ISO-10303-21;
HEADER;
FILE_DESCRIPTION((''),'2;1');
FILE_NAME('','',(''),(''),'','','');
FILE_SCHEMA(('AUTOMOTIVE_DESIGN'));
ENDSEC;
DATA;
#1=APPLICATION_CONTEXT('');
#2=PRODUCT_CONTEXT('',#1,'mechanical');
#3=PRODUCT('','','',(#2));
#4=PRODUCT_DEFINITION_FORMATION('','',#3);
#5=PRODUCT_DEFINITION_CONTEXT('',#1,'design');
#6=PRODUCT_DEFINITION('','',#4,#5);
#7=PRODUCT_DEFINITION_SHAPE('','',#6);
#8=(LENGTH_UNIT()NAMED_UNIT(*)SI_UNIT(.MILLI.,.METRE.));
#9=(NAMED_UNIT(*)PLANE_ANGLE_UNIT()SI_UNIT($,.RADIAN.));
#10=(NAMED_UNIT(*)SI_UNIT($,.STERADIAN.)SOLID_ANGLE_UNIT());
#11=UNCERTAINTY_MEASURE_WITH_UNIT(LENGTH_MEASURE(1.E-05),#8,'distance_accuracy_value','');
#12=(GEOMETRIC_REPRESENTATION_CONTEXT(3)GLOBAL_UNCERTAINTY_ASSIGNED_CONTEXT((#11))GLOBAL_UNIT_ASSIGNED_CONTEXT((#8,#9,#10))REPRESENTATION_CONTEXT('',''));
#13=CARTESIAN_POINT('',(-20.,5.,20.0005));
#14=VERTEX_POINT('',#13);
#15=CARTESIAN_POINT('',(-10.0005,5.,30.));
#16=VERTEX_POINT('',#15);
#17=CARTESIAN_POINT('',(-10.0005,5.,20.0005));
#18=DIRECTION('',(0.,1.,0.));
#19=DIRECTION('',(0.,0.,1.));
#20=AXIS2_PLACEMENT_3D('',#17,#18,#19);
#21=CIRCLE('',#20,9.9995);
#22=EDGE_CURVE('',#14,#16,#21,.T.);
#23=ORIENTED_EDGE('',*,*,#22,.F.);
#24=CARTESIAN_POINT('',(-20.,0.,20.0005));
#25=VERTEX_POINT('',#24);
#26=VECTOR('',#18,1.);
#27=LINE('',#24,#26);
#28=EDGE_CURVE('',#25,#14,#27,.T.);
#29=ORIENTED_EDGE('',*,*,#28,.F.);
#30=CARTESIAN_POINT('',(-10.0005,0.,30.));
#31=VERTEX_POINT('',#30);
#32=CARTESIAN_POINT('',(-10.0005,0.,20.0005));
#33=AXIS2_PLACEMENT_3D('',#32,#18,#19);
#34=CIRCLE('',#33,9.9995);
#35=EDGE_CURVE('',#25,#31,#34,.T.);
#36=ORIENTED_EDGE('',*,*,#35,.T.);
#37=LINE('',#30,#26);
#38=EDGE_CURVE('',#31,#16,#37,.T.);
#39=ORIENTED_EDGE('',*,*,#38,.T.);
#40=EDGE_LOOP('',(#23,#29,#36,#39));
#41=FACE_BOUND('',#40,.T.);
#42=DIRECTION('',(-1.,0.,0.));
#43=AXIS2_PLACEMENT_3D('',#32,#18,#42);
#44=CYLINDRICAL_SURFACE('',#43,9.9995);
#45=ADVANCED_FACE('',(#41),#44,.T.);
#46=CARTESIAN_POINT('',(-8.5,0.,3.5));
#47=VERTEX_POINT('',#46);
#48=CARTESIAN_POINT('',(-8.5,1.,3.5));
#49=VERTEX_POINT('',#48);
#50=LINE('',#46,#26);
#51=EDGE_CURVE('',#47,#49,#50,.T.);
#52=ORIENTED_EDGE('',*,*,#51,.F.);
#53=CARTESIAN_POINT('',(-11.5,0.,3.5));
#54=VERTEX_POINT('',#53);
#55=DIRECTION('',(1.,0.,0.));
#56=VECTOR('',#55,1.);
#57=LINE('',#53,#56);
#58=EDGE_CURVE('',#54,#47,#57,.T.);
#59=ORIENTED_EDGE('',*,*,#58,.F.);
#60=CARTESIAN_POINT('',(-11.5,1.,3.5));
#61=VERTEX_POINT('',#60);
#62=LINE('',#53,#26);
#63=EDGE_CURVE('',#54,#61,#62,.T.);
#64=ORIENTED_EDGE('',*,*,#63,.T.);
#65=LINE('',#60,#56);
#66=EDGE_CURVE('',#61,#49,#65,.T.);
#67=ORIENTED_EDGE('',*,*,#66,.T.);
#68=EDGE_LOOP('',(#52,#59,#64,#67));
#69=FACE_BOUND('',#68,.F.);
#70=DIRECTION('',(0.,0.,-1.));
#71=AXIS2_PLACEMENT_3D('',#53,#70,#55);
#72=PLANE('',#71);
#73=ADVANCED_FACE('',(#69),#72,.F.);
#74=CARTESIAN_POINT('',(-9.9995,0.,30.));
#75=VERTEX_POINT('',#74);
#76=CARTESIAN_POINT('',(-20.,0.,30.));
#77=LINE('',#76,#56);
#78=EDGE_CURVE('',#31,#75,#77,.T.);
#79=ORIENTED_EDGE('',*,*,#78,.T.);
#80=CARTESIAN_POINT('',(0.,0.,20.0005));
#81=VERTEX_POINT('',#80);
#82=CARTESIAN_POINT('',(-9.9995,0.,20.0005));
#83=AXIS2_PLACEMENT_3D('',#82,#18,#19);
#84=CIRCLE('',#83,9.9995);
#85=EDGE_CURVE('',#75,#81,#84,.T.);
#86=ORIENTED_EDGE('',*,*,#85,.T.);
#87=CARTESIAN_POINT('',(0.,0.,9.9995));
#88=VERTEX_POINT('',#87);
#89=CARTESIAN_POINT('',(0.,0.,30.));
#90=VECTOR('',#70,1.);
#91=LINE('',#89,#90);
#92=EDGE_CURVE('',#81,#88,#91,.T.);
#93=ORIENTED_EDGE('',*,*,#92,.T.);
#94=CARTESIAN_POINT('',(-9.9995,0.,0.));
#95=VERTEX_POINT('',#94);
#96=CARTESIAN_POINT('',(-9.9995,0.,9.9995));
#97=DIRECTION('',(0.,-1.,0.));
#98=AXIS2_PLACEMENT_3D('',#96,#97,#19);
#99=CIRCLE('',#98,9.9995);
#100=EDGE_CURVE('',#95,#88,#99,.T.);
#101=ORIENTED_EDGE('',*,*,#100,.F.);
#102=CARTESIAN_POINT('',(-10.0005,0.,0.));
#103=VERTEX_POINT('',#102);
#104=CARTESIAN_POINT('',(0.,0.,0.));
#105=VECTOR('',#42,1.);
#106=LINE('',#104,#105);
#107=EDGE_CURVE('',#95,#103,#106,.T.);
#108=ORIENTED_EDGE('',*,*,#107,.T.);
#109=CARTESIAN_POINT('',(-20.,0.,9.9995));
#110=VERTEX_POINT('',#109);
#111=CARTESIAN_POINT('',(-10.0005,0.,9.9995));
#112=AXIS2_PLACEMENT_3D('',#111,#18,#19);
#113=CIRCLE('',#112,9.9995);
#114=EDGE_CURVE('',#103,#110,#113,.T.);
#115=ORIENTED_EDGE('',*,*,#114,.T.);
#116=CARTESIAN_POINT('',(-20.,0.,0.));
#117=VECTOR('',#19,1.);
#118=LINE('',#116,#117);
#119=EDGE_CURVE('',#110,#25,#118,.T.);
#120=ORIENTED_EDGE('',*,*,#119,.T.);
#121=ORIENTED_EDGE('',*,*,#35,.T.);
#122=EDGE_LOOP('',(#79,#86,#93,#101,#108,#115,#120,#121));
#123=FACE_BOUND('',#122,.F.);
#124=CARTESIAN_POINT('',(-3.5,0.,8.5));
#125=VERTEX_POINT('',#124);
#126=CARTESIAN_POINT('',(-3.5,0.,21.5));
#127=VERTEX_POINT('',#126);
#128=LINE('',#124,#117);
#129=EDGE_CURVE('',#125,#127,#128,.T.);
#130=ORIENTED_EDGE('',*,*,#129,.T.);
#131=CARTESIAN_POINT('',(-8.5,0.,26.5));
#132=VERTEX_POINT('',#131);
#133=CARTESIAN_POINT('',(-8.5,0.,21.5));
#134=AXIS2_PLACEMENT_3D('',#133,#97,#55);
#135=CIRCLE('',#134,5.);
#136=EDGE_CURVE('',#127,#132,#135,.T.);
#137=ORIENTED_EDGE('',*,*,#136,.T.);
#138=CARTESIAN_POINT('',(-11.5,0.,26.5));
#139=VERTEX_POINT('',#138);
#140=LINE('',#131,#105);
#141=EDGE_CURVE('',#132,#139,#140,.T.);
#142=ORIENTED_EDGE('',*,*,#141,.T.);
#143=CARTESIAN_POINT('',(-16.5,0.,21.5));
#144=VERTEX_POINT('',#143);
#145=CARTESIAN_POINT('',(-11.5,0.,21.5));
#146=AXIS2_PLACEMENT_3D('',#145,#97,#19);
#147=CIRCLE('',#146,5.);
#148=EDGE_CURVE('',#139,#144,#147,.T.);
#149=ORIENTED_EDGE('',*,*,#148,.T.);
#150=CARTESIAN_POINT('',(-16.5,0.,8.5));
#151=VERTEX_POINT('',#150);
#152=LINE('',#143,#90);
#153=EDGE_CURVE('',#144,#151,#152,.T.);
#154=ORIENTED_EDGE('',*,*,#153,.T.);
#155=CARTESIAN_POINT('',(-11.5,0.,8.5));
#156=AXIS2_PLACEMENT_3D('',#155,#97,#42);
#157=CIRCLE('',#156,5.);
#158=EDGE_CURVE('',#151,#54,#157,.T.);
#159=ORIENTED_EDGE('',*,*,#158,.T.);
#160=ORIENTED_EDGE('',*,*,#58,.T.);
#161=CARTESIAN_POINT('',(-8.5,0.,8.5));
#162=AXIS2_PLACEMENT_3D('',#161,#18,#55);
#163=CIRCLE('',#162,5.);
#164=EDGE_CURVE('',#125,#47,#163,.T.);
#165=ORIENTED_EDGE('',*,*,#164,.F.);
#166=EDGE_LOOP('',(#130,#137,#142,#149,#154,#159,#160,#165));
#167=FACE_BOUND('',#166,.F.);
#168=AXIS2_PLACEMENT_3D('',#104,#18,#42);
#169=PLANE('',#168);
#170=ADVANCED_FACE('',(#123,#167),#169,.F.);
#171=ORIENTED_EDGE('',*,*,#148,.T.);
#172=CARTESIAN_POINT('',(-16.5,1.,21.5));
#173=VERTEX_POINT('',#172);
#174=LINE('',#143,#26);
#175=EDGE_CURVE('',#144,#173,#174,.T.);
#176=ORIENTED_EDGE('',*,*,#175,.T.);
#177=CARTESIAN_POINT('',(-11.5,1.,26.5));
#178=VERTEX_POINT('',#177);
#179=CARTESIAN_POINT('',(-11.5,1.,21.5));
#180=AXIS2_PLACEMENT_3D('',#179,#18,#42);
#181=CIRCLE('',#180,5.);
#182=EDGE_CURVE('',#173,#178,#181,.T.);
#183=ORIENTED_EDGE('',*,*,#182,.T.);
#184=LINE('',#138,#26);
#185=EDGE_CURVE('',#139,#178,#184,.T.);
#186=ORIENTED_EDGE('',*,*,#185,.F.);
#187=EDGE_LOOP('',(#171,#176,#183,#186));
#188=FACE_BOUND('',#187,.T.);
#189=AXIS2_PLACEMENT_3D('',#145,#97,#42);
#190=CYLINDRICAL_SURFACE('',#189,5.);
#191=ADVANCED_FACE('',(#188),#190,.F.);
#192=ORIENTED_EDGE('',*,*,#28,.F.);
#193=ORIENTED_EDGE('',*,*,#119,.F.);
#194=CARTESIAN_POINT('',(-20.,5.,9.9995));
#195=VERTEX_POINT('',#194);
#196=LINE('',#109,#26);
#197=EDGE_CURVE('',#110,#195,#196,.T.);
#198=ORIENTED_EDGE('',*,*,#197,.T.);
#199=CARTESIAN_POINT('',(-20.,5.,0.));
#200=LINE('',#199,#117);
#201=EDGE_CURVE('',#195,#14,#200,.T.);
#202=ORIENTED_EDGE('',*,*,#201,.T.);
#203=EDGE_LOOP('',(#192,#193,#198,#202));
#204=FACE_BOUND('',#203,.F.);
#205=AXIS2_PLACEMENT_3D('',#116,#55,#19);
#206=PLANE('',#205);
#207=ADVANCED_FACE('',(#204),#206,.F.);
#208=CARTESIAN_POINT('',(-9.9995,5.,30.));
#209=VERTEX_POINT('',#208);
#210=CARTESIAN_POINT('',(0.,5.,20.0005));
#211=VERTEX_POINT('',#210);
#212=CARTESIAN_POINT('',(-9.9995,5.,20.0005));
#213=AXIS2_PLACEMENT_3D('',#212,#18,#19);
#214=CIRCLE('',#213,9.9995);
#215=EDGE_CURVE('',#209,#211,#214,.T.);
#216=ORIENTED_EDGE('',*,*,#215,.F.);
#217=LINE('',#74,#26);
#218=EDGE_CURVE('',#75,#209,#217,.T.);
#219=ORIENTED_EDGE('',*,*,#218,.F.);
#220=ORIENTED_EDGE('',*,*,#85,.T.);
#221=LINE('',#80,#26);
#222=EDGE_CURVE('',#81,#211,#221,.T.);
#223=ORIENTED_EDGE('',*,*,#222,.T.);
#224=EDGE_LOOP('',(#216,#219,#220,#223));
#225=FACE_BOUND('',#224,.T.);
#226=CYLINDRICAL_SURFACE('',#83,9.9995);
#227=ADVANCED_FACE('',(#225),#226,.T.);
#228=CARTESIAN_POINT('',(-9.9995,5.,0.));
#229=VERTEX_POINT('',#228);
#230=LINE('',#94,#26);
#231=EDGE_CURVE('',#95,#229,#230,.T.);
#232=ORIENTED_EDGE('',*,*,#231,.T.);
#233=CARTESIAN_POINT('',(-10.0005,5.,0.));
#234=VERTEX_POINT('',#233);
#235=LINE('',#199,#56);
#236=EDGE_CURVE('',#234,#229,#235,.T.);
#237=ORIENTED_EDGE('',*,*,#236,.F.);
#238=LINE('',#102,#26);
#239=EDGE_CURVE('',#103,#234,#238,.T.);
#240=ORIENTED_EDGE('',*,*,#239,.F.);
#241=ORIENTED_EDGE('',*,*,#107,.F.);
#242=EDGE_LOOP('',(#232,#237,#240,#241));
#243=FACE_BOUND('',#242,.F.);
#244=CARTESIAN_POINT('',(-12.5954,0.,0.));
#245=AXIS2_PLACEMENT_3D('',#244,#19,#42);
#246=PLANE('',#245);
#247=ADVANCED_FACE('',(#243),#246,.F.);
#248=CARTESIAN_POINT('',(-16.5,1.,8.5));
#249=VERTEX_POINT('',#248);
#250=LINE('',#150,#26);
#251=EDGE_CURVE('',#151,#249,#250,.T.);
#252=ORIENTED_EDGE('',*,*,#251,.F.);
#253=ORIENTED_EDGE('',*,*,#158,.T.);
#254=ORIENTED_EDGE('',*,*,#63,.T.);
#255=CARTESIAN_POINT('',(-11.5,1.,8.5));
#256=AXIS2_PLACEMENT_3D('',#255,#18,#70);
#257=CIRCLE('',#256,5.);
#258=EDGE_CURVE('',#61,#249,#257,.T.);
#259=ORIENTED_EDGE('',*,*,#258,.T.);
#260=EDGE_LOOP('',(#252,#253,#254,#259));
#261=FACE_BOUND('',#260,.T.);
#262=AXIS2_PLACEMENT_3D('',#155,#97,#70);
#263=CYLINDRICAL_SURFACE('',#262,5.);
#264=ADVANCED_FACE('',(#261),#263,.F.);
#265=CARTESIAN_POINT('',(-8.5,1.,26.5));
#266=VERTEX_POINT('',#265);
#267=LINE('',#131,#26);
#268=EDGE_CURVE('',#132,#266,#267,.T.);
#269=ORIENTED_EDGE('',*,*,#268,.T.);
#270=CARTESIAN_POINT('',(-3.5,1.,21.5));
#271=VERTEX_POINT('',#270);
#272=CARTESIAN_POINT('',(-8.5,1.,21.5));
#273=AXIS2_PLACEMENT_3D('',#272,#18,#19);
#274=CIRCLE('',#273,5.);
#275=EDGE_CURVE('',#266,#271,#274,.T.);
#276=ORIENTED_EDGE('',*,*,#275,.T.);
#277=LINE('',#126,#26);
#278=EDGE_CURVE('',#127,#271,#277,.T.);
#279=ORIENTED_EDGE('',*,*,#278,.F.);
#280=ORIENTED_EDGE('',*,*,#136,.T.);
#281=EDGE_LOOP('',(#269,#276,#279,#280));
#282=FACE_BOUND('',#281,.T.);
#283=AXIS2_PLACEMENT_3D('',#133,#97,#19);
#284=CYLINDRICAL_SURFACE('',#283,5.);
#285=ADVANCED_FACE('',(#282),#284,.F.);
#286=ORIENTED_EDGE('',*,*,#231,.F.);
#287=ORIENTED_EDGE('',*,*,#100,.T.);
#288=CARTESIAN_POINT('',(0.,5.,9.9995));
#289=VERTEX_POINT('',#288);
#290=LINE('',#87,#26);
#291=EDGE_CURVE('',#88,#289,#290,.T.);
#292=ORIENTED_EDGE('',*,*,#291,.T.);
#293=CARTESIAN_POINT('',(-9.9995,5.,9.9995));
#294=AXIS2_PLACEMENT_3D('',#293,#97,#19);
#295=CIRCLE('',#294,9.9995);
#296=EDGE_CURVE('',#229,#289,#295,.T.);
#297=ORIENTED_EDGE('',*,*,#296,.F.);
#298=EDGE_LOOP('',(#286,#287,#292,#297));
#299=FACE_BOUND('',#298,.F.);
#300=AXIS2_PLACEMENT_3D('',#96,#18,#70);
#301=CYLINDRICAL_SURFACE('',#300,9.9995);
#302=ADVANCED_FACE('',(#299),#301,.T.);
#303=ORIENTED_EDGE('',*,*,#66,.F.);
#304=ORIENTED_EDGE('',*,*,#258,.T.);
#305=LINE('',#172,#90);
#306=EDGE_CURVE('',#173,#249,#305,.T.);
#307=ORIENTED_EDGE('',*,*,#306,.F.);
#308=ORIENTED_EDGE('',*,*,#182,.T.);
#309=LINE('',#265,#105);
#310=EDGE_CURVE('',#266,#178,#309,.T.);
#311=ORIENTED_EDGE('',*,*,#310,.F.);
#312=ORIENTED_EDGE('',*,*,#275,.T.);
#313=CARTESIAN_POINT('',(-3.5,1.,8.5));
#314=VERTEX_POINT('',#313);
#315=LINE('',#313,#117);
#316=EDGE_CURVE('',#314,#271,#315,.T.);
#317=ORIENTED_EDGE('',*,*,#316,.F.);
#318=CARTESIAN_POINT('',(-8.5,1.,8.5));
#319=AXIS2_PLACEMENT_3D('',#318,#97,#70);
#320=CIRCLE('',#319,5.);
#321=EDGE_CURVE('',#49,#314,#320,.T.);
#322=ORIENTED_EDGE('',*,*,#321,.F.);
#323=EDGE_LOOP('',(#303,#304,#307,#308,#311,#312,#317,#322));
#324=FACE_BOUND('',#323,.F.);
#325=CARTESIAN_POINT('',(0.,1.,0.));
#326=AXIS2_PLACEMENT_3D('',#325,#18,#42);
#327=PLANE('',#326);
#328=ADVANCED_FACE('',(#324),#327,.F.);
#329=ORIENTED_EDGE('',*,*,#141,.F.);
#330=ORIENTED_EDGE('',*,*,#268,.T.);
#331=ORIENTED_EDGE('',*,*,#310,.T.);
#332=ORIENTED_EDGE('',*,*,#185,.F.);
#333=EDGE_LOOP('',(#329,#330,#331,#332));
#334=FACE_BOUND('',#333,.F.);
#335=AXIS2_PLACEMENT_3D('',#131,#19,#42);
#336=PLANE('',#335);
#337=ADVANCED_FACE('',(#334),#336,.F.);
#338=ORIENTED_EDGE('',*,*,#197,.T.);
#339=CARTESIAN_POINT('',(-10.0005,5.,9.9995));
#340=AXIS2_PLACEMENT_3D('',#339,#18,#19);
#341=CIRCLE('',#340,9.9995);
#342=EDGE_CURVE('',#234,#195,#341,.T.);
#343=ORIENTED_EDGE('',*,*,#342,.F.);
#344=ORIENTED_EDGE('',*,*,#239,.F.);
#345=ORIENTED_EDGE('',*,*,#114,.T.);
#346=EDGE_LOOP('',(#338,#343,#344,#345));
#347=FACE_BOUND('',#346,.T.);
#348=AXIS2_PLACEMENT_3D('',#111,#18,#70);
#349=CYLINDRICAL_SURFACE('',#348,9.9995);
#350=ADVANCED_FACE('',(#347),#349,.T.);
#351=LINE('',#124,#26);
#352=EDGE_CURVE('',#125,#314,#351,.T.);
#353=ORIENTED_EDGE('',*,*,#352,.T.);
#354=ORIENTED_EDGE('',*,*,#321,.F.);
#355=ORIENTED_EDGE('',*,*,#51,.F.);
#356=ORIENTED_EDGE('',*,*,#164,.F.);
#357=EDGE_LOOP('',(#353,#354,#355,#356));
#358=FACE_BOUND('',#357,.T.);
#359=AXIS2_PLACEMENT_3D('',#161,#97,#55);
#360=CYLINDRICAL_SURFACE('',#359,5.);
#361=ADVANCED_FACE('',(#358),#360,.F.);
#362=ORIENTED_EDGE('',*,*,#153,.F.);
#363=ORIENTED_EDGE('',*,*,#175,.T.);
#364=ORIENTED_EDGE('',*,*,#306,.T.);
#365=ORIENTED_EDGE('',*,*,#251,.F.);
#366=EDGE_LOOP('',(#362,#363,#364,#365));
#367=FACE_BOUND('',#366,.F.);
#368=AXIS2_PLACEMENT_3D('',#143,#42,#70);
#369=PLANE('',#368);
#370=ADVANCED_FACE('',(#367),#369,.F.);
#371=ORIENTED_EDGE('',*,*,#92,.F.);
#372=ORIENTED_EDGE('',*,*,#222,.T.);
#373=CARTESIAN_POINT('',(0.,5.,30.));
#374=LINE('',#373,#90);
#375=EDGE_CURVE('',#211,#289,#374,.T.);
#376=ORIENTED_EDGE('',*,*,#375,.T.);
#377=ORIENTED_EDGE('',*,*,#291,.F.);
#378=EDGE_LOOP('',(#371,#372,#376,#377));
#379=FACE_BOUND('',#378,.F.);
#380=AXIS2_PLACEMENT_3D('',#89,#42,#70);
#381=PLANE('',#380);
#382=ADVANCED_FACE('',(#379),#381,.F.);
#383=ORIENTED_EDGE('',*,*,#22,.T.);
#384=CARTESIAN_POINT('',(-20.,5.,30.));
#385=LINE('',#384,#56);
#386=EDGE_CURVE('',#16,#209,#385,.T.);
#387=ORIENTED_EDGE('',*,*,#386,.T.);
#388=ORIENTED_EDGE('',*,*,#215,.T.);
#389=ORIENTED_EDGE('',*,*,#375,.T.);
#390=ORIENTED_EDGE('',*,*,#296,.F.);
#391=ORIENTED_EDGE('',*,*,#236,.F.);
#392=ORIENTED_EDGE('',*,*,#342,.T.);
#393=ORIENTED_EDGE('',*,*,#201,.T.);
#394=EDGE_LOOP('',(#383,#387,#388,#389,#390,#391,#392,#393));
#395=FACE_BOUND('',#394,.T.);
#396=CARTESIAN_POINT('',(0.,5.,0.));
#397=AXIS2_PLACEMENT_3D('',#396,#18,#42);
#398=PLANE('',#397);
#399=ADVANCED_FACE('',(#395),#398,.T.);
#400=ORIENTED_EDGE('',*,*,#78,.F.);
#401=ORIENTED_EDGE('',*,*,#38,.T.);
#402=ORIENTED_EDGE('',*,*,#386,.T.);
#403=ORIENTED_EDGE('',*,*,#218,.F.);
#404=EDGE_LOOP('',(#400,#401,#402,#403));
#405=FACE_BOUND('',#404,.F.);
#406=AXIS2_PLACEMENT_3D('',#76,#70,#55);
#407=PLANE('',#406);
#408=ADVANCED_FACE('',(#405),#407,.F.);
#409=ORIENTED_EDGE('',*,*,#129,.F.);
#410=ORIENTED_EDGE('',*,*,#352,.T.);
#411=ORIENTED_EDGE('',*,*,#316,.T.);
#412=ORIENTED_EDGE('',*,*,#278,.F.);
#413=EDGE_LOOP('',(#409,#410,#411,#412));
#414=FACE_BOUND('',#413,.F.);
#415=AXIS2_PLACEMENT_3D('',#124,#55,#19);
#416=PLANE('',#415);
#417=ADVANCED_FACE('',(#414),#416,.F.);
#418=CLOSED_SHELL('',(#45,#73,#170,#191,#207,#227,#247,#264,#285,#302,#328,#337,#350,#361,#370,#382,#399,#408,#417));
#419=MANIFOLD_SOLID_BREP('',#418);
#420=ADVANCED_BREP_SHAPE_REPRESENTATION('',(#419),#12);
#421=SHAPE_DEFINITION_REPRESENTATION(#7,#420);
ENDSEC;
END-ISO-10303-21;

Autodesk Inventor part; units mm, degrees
ref_plane "YZ Plane" through (0, 0, 0) normal (1, 0, 0) x (0, 1, 0)
ref_plane "XZ Plane" through (0, 0, 0) normal (0, 1, 0) x (-1, 0, 0)
ref_plane "XY Plane" through (0, 0, 0) normal (0, 0, 1) x (1, 0, 0)
sketch "Sketch1" plane through (0, 0, 0) normal (0, 1, 0) x (-1, 0, 0)
  line L0 (0, 0) -> (20, 0)
  line L1 (20, 0) -> (20, 30)
  line L2 (20, 30) -> (0, 30)
  line L3 (0, 30) -> (0, 0)
  line L4 (0, 30) -> (20, 0)
  line L5 (0, 0) -> (20, 30)
  line L6 (11.5, 3.5) -> (8.5, 3.5)
  line L7 (3.5, 8.5) -> (3.5, 21.5)
  line L8 (8.5, 26.5) -> (11.5, 26.5)
  line L9 (16.5, 21.5) -> (16.5, 8.5)
  line L10 (16.5, 3.5) -> (3.5, 26.5) construction
  line L11 (3.5, 3.5) -> (16.5, 26.5) construction
  arc A0 (8.5, 26.5) -> (3.5, 21.5) centre (8.5, 21.5) ccw
  arc A1 (16.5, 21.5) -> (11.5, 26.5) centre (11.5, 21.5) ccw
  arc A2 (11.5, 3.5) -> (16.5, 8.5) centre (11.5, 8.5) ccw
  arc A3 (3.5, 8.5) -> (8.5, 3.5) centre (8.5, 8.5) ccw
  line L12 (12.5954, 0) -> (7.0954, 0)
  line L13 (7.0954, 0) -> (7.0954, 1.5)
  line L14 (7.0954, 1.5) -> (12.5954, 1.5)
  line L15 (12.5954, 1.5) -> (12.5954, 0)
  point P0 (10, 15)
  dimension "d0" = 20
  dimension "d1" = 30
  dimension "d5" = 13
  dimension "d6" = 23
  dimension "d7" = 5
  dimension "d10" = 5.5
  dimension "d11" = 1.5
extrude "Extrusion1" add sketch "Sketch1" along normal blind 5
fillet "Fillet1" radius 10 4 edges at (0, 2.5, 30) (0, 2.5, 0) (-20, 2.5, 0) (-20, 2.5, 30)
extrude "Extrusion2" cut sketch "Sketch1" along normal blind 1 contours A3 L7 A0 L4 L5 | L5 L4 A2 L6 A3 | A0 L8 A1 L5 L4 | L5 A1 L9 A2 L4
properties part number "glosnik"
